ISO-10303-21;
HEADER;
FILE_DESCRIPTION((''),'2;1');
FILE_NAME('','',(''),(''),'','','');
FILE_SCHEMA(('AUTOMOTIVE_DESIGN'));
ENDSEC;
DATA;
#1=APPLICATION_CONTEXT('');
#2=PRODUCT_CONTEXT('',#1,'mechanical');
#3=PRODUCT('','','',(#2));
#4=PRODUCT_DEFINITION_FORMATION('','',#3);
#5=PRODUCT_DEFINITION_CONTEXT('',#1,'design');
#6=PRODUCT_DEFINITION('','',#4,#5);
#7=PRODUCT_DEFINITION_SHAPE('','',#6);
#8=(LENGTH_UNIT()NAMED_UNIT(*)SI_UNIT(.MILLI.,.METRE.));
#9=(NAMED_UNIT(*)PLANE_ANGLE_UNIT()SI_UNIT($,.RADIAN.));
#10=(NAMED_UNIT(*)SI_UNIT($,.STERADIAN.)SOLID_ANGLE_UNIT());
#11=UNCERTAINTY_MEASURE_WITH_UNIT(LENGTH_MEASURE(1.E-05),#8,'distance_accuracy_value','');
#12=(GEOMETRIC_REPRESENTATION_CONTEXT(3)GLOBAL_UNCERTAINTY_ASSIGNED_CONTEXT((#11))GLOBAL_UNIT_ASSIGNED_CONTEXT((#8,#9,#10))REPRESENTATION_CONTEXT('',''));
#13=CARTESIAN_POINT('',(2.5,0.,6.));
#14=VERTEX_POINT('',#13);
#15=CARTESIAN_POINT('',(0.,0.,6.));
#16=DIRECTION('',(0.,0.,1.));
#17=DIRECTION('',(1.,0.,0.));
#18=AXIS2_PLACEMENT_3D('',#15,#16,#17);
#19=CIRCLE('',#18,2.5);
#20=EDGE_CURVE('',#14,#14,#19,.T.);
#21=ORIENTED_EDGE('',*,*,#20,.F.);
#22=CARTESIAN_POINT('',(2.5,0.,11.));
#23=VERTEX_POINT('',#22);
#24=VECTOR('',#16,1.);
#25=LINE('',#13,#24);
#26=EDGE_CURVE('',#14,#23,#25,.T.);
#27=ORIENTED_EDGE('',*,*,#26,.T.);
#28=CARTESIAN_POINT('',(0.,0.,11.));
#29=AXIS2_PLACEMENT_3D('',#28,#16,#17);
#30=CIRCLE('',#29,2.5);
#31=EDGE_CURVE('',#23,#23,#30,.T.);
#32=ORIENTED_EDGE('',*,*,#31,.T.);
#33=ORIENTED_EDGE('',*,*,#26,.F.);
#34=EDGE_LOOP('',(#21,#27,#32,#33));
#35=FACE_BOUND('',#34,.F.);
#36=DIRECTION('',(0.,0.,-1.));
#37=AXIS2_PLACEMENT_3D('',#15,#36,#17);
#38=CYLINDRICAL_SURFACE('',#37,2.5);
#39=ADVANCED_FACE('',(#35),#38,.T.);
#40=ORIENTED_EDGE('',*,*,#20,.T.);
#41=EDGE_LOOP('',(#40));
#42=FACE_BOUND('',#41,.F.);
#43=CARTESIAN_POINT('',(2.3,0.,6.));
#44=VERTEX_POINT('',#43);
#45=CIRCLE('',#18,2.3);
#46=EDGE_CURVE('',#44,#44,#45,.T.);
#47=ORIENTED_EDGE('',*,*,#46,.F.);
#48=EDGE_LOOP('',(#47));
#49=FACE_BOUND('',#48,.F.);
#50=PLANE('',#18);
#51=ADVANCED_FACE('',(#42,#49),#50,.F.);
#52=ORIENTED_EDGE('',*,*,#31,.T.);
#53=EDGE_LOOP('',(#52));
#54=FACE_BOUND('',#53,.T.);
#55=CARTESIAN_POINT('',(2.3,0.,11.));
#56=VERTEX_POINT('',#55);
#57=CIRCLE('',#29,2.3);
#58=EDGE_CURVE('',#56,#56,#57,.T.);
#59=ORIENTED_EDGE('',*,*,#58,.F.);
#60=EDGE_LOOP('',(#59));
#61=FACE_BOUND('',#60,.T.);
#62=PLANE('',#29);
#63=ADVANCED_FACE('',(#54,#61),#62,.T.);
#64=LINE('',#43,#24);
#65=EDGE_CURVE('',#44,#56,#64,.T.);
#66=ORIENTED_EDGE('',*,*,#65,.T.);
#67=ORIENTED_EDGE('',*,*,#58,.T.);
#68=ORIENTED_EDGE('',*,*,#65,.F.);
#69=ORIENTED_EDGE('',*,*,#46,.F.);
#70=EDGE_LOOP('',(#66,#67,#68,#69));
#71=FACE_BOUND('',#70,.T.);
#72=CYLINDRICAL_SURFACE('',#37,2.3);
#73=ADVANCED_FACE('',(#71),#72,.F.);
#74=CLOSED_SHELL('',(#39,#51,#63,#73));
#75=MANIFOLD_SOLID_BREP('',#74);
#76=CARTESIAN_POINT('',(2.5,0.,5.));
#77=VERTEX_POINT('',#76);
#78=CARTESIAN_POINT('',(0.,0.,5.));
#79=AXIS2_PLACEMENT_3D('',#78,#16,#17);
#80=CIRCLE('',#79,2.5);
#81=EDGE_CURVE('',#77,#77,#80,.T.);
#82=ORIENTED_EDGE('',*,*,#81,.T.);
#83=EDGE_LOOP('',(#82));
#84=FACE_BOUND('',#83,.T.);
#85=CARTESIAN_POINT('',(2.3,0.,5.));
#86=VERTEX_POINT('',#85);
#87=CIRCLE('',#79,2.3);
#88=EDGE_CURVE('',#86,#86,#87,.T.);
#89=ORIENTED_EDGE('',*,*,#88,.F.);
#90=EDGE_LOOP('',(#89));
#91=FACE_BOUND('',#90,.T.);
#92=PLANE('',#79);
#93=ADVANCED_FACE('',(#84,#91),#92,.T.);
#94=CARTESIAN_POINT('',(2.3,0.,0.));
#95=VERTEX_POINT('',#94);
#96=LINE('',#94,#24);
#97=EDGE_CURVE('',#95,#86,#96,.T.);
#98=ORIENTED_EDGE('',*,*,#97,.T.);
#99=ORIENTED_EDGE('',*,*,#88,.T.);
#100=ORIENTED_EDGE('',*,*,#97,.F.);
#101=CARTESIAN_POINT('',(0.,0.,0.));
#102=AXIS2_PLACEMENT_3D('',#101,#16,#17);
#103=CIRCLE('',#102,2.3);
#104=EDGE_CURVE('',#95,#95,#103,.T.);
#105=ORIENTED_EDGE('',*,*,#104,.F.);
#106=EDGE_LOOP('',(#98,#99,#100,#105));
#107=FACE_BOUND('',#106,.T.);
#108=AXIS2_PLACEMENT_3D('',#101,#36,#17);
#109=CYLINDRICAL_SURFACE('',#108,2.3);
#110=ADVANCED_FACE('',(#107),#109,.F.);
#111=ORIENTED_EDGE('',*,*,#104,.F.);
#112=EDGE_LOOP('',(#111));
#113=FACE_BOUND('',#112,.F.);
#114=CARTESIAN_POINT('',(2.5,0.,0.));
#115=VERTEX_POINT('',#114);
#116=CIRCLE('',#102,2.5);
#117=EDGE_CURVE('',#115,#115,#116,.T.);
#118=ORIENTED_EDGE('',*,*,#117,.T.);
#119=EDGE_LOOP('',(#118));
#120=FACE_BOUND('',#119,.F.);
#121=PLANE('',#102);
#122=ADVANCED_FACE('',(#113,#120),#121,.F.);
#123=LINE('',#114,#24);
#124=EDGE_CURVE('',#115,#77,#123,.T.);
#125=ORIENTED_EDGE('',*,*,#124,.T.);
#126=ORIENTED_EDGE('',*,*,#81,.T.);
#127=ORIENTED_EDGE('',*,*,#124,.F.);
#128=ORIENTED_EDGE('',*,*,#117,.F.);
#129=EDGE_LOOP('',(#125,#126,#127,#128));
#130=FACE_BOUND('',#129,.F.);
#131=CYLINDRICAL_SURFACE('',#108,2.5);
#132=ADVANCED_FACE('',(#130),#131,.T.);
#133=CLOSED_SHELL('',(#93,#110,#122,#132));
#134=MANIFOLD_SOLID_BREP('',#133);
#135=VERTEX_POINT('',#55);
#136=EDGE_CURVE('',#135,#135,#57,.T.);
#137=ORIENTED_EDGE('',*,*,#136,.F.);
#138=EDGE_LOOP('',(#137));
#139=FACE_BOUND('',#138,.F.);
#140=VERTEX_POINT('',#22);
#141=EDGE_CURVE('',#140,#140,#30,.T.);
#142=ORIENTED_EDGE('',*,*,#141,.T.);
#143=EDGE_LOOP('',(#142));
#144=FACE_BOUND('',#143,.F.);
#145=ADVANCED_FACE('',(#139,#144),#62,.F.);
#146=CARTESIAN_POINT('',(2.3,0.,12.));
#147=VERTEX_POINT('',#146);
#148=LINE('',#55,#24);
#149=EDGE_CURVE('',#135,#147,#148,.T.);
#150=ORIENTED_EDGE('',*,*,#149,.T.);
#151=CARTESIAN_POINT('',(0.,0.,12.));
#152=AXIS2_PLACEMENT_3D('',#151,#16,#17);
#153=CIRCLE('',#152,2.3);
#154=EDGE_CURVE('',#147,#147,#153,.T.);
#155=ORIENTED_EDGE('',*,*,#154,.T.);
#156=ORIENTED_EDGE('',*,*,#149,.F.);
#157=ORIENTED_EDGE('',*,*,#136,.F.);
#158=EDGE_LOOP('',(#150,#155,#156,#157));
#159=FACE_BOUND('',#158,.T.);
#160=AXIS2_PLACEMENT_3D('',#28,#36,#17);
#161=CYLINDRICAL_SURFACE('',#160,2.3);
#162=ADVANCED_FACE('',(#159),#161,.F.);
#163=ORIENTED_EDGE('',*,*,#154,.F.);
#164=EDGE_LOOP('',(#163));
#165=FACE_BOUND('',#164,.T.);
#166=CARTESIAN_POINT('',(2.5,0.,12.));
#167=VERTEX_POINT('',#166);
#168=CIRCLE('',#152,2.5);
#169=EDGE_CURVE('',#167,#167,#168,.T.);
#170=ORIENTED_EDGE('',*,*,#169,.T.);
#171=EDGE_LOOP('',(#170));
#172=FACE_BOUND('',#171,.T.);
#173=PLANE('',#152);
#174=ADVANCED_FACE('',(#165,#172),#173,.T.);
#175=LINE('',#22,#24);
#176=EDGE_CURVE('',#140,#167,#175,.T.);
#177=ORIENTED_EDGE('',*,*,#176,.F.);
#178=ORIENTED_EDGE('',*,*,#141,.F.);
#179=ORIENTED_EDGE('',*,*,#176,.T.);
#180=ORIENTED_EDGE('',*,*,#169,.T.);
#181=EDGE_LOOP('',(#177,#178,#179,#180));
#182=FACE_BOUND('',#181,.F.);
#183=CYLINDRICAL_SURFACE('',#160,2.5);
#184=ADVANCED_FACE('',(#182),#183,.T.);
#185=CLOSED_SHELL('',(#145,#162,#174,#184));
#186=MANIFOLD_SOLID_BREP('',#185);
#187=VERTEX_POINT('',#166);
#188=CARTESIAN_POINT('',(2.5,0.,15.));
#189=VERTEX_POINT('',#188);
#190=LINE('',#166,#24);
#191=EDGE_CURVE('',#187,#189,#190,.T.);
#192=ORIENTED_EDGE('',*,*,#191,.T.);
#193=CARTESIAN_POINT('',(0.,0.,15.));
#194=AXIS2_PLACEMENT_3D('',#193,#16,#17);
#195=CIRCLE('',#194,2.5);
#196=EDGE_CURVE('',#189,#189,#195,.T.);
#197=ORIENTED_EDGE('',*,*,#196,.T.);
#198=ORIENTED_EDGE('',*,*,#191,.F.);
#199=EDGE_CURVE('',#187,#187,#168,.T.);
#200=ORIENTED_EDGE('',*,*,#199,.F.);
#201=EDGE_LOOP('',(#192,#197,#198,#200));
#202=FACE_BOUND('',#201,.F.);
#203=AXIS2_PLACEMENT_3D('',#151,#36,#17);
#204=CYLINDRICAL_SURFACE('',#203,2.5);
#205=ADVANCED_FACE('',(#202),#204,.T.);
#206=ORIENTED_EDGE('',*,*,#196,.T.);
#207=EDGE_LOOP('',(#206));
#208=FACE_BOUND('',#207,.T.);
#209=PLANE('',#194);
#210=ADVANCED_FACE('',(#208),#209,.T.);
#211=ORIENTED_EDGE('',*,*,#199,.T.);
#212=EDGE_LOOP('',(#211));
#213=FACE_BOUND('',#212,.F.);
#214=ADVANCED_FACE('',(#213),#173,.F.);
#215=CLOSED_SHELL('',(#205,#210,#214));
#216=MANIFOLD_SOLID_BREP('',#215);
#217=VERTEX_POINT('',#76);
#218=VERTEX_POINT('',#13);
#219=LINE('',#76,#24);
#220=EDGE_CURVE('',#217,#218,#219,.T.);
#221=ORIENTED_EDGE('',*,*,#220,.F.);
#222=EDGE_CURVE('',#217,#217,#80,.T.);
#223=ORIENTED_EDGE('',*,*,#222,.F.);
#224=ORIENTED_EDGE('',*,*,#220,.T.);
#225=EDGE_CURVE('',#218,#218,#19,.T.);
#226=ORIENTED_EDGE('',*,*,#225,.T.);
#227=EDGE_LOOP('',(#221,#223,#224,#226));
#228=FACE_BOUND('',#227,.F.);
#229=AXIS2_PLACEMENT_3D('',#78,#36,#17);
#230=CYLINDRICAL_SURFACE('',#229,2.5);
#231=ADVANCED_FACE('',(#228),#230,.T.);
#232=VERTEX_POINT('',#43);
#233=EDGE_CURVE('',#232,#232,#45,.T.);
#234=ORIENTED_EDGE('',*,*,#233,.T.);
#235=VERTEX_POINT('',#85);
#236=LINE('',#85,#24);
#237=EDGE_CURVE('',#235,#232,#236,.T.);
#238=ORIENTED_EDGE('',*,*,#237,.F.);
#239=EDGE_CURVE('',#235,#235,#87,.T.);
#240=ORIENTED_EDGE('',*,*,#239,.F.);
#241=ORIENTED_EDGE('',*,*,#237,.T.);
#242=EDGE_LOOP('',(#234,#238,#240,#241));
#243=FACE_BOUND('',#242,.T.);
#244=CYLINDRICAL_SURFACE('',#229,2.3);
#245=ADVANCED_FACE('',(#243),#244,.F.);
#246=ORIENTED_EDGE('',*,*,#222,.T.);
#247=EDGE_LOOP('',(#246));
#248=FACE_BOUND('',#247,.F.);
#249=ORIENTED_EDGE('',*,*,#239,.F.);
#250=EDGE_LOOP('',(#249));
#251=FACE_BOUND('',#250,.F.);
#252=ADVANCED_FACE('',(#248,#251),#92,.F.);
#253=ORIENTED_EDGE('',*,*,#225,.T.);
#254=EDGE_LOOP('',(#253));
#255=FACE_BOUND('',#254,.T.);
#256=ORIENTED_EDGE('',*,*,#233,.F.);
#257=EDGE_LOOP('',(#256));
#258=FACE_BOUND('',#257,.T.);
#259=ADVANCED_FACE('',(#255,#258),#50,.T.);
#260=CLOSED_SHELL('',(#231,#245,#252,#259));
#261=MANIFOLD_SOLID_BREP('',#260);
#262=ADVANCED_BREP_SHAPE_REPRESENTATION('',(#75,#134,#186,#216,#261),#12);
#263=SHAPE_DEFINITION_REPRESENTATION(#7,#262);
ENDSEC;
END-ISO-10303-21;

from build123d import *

# Parameters (mm, degrees)
F0_R     = 2.5
F0_R_2   = 2.4
F1_DEPTH = 5
F2_DEPTH = 1
F3_DEPTH = 5
F4_DEPTH = 1
F5_DEPTH = 3
F6_T     = -0.2
F6_2_T   = -0.2
F6_3_T   = -0.2
F6_4_T   = -0.2


with BuildPart() as f1:
    # F0 (on Top) → F1 (new body)
    with BuildSketch(Plane.XY):
        Circle(F0_R)
        Circle(F0_R_2, mode=Mode.SUBTRACT)
        Circle(F0_R_2)
    extrude(amount=F1_DEPTH)


with BuildPart() as f2:
    # F2 (new): a face of the model
    f2_faces = [f1.part.faces().sort_by_distance(p)[0] for p in [
        (0, 0, 5),
    ]]
    extrude(f2_faces, amount=F2_DEPTH)


with BuildPart() as f3:
    # F3 (new): a face of the model
    f3_faces = [f2.part.faces().sort_by_distance(p)[0] for p in [
        (0, 0, 6),
    ]]
    extrude(f3_faces, amount=F3_DEPTH)


with BuildPart() as f4:
    # F4 (new): a face of the model
    f4_faces = [f3.part.faces().sort_by_distance(p)[0] for p in [
        (0, 0, 11),
    ]]
    extrude(f4_faces, amount=F4_DEPTH)


with BuildPart() as f5:
    # F5 (new): a face of the model
    f5_faces = [f4.part.faces().sort_by_distance(p)[0] for p in [
        (0, 0, 12),
    ]]
    extrude(f5_faces, amount=F5_DEPTH)


with BuildPart() as f1_1:
    add(f1.part)

    # F6
    f6_openings = [f1_1.faces().sort_by_distance(p)[0] for p in [
        (0, 0, 0),
        (0, 0, 5),
    ]]
    offset(amount=F6_T, openings=f6_openings)


with BuildPart() as f2_1:
    add(f2.part)

    # F6#2
    f6_2_openings = [f2_1.faces().sort_by_distance(p)[0] for p in [
        (0, 0, 5),
        (0, 0, 6),
    ]]
    offset(amount=F6_2_T, openings=f6_2_openings)


with BuildPart() as f4_1:
    add(f4.part)

    # F6#3
    f6_3_openings = [f4_1.faces().sort_by_distance(p)[0] for p in [
        (0, 0, 11),
        (0, 0, 12),
    ]]
    offset(amount=F6_3_T, openings=f6_3_openings)


with BuildPart() as f3_1:
    add(f3.part)

    # F6#4
    f6_4_openings = [f3_1.faces().sort_by_distance(p)[0] for p in [
        (0, 0, 11),
        (0, 0, 6),
    ]]
    offset(amount=F6_4_T, openings=f6_4_openings)


solid = Compound([f5.part, f1_1.part, f2_1.part, f4_1.part, f3_1.part])
